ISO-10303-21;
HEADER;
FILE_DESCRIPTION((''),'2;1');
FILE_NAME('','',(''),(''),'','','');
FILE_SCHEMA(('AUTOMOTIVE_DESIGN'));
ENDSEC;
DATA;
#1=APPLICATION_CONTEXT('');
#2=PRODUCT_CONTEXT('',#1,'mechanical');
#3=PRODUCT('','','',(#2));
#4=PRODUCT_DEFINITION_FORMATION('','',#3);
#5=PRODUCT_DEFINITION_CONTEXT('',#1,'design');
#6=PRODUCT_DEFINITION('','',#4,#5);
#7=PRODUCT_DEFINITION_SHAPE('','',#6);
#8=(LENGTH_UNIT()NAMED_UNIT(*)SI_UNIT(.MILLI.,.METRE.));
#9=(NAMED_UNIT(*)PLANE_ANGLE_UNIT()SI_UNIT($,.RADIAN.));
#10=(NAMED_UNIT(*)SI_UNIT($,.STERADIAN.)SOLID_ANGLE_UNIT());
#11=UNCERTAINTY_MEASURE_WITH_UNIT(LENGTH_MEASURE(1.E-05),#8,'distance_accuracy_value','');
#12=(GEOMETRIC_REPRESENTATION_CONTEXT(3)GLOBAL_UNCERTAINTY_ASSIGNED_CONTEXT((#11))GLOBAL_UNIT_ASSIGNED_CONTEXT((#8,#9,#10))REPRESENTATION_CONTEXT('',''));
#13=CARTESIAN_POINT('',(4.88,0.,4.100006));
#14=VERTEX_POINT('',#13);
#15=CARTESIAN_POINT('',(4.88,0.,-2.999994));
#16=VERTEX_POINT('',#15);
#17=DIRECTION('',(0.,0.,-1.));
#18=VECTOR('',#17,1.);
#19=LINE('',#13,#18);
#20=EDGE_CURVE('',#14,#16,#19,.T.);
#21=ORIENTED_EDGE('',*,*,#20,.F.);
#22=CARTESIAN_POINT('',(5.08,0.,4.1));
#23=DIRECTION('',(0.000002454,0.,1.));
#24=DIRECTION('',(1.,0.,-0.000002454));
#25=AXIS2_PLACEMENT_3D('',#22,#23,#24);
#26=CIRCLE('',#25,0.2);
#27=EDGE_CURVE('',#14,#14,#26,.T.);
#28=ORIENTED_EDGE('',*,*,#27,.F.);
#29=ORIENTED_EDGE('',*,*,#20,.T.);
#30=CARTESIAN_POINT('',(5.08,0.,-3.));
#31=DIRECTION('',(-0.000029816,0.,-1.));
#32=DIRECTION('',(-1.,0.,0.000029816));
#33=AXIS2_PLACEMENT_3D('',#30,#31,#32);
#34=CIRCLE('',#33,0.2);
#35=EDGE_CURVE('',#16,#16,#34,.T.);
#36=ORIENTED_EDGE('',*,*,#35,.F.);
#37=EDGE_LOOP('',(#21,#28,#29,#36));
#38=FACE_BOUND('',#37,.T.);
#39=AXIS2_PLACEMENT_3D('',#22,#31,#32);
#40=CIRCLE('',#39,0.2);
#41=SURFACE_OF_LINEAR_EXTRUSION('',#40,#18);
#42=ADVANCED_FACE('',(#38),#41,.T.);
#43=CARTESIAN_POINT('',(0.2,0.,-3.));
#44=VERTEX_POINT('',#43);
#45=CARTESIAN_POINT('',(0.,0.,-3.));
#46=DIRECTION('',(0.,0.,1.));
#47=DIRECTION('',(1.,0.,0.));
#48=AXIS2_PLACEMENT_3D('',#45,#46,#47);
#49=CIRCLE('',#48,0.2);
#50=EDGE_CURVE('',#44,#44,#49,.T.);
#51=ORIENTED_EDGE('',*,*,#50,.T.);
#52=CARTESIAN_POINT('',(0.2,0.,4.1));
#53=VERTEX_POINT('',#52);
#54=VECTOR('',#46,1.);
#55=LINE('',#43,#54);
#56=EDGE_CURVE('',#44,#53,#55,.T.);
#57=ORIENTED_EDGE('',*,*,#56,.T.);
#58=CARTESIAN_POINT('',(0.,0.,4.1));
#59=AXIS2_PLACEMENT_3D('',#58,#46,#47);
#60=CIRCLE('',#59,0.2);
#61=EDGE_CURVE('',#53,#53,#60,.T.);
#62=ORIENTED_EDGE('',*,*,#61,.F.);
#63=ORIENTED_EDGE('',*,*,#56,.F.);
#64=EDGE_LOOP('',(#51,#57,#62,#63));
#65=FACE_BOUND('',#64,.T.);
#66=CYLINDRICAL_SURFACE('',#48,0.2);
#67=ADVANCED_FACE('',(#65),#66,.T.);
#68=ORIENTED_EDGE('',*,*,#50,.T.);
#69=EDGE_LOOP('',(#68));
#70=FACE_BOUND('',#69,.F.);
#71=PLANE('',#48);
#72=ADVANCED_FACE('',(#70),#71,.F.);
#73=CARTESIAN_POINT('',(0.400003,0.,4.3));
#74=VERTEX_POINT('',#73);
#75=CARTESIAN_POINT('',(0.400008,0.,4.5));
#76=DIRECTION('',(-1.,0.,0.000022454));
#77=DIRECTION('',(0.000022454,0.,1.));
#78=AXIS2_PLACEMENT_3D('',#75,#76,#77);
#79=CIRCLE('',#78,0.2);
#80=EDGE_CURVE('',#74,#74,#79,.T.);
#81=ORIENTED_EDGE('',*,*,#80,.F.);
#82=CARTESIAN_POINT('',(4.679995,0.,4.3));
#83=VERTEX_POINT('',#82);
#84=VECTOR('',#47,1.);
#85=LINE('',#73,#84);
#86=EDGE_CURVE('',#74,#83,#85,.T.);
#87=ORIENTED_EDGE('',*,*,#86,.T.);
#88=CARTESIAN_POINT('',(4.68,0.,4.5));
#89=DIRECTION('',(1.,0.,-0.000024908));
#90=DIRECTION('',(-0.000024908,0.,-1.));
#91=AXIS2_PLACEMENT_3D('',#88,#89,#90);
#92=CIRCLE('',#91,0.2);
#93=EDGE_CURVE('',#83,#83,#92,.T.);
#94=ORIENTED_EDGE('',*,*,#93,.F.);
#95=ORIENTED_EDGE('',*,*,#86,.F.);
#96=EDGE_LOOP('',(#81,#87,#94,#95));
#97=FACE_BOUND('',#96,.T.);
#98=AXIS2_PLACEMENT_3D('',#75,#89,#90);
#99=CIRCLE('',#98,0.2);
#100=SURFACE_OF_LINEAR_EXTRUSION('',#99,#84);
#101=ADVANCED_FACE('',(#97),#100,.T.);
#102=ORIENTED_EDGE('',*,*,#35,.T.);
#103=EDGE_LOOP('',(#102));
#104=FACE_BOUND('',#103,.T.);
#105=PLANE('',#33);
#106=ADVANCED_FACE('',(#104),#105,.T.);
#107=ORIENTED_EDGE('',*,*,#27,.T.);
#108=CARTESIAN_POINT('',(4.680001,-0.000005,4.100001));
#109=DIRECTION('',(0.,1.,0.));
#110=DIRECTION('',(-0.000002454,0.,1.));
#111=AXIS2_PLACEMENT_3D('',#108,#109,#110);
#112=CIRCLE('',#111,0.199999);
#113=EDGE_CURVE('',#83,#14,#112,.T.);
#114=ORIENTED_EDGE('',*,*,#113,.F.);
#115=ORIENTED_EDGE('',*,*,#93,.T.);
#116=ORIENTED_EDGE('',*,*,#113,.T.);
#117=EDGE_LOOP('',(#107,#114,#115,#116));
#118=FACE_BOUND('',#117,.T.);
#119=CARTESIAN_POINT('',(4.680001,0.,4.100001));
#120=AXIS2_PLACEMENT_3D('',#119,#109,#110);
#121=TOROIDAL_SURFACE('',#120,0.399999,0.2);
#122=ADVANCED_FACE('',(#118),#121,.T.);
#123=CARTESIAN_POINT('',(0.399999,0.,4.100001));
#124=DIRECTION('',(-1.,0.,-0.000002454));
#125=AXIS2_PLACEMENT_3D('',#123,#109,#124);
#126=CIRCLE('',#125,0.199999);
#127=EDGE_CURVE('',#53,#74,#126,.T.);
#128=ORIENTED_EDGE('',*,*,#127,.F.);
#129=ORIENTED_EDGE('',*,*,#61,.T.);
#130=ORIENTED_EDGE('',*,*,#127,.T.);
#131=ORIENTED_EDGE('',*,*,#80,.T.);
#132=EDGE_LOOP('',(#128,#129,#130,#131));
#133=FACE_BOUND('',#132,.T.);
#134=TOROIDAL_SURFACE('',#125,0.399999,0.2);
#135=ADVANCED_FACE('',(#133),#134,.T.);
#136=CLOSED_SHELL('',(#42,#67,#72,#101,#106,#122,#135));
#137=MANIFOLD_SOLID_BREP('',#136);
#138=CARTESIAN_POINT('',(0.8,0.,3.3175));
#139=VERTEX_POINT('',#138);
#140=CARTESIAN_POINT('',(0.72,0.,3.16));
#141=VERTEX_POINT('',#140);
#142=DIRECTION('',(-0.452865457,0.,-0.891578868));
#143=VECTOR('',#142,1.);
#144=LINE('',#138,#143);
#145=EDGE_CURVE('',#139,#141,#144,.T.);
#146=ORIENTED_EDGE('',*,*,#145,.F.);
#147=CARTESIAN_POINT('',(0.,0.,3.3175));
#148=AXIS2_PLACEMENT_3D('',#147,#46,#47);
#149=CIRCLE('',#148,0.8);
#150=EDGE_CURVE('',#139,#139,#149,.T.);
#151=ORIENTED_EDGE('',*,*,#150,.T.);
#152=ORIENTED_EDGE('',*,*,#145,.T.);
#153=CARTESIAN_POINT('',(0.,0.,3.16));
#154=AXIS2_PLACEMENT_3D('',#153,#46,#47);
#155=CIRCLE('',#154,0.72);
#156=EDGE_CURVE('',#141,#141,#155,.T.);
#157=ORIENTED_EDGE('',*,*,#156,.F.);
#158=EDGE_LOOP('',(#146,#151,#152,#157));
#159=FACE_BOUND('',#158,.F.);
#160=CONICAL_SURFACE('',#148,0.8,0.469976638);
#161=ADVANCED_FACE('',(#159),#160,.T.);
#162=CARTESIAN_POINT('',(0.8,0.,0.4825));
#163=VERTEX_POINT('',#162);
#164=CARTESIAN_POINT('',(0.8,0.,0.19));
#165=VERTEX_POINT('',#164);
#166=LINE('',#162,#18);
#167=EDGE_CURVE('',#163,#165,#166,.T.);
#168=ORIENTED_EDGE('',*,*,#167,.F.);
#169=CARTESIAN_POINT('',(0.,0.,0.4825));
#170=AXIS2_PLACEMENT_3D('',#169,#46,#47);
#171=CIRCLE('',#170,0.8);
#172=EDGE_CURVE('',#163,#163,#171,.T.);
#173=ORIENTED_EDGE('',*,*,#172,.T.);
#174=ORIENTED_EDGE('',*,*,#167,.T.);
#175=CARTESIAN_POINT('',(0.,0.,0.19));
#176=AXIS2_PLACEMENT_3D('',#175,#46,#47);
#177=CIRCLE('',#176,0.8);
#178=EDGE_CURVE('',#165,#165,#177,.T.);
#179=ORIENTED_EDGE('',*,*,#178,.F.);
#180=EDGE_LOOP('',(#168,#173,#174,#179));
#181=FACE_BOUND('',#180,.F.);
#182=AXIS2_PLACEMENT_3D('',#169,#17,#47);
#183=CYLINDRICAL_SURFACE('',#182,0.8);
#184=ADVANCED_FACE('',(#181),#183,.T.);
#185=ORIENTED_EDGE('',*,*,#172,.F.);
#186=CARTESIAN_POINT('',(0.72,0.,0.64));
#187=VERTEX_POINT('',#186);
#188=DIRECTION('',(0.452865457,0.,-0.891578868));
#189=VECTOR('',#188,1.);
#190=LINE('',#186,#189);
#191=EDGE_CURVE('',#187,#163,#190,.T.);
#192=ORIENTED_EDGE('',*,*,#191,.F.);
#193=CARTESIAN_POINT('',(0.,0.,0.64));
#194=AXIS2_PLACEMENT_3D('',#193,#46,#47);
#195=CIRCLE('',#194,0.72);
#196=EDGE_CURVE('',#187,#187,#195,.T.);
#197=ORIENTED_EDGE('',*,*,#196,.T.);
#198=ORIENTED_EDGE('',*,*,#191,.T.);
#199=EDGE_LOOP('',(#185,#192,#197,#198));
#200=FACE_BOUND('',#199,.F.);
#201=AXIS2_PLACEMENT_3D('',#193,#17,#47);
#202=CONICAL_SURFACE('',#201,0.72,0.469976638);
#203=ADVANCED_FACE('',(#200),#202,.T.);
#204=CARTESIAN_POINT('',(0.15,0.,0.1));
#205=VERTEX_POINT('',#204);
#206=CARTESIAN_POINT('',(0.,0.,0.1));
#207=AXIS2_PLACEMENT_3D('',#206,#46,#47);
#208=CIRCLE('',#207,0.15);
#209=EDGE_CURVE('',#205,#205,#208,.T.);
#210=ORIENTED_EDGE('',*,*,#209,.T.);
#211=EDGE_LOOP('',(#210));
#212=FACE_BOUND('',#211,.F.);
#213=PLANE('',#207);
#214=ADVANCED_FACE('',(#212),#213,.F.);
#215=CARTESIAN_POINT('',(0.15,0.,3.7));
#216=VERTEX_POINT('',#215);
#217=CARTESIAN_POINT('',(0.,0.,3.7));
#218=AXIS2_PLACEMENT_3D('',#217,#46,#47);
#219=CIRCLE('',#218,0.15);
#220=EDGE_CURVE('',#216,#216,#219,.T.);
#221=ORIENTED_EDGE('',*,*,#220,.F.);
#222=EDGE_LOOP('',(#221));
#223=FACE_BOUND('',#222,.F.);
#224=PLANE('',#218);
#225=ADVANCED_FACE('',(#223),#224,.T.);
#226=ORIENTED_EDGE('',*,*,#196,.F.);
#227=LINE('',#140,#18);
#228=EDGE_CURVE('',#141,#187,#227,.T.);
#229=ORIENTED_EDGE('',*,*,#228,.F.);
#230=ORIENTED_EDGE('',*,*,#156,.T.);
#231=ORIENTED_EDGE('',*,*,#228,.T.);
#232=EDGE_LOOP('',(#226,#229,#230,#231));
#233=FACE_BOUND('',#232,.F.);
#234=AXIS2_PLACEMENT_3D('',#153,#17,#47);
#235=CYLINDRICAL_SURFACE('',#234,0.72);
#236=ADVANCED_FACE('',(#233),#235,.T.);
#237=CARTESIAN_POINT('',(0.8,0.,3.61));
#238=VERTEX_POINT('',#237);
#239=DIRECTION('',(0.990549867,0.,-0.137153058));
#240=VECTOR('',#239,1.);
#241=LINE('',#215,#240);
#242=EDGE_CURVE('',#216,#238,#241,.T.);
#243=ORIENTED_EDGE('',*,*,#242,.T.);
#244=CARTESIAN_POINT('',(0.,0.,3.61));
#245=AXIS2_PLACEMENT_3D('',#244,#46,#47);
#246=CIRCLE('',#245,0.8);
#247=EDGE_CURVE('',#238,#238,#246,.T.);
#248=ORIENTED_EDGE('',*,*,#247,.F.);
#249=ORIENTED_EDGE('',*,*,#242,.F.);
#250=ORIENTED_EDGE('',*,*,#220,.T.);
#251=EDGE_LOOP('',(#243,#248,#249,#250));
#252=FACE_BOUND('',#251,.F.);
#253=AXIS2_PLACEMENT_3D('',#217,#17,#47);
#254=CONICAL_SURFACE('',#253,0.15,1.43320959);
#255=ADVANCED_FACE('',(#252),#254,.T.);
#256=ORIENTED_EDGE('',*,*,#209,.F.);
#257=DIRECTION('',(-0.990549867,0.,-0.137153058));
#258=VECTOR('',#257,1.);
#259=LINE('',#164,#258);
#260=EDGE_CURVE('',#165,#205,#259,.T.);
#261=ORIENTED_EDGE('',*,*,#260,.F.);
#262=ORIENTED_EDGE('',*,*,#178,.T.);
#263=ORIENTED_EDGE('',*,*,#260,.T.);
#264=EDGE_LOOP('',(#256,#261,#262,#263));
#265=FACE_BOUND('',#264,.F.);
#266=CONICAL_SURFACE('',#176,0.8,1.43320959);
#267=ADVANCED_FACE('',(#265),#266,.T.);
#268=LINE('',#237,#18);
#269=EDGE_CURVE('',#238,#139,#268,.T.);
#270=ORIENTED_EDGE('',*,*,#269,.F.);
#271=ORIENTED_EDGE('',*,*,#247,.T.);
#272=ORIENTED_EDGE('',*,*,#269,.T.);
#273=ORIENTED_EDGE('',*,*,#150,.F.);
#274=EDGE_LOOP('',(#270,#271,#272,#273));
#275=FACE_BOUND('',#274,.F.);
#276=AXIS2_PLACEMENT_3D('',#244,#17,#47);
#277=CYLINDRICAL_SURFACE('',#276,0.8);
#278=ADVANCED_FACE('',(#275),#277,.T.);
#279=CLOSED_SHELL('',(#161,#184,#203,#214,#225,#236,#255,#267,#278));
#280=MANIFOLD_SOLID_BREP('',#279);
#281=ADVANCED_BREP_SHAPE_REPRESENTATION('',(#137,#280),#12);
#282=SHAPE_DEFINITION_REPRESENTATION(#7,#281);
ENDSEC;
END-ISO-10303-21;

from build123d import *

# Parameters (mm, degrees)
SKETCH_R = 0.2


with BuildPart() as sweep_body:
    # Sweep: sweep along a path in Sketch001
    with BuildLine(Plane.XZ) as sweep_path:
        Line((0, -3), (0, 4.1))
        ThreePointArc((0, 4.1), (0.11716, 4.382846), (0.400008, 4.5))
        Line((0.400008, 4.5), (4.68, 4.5))
        ThreePointArc((4.68, 4.5), (4.962843, 4.382843), (5.08, 4.1))
        Line((5.08, 4.1), (5.08, -3))
    # Sketch → Sweep (sweep)
    with BuildSketch(Plane.XY.offset(-2)):
        Circle(SKETCH_R)
    sweep(path=sweep_path.line)


with BuildPart() as revolution:
    # Sketch002 → Revolution (revolve)
    with BuildSketch(Plane.XZ):
        Polygon((0, 0.1), (0, 3.7), (0.15, 3.7), (0.8, 3.61), (0.8, 3.3175), (0.72, 3.16), (0.72, 0.64), (0.8, 0.4825), (0.8, 0.19), (0.15, 0.1), align=None)
    revolve(axis=Axis((0, 0, 0), (0, 0, 1)))


solid = Compound([sweep_body.part, revolution.part])
